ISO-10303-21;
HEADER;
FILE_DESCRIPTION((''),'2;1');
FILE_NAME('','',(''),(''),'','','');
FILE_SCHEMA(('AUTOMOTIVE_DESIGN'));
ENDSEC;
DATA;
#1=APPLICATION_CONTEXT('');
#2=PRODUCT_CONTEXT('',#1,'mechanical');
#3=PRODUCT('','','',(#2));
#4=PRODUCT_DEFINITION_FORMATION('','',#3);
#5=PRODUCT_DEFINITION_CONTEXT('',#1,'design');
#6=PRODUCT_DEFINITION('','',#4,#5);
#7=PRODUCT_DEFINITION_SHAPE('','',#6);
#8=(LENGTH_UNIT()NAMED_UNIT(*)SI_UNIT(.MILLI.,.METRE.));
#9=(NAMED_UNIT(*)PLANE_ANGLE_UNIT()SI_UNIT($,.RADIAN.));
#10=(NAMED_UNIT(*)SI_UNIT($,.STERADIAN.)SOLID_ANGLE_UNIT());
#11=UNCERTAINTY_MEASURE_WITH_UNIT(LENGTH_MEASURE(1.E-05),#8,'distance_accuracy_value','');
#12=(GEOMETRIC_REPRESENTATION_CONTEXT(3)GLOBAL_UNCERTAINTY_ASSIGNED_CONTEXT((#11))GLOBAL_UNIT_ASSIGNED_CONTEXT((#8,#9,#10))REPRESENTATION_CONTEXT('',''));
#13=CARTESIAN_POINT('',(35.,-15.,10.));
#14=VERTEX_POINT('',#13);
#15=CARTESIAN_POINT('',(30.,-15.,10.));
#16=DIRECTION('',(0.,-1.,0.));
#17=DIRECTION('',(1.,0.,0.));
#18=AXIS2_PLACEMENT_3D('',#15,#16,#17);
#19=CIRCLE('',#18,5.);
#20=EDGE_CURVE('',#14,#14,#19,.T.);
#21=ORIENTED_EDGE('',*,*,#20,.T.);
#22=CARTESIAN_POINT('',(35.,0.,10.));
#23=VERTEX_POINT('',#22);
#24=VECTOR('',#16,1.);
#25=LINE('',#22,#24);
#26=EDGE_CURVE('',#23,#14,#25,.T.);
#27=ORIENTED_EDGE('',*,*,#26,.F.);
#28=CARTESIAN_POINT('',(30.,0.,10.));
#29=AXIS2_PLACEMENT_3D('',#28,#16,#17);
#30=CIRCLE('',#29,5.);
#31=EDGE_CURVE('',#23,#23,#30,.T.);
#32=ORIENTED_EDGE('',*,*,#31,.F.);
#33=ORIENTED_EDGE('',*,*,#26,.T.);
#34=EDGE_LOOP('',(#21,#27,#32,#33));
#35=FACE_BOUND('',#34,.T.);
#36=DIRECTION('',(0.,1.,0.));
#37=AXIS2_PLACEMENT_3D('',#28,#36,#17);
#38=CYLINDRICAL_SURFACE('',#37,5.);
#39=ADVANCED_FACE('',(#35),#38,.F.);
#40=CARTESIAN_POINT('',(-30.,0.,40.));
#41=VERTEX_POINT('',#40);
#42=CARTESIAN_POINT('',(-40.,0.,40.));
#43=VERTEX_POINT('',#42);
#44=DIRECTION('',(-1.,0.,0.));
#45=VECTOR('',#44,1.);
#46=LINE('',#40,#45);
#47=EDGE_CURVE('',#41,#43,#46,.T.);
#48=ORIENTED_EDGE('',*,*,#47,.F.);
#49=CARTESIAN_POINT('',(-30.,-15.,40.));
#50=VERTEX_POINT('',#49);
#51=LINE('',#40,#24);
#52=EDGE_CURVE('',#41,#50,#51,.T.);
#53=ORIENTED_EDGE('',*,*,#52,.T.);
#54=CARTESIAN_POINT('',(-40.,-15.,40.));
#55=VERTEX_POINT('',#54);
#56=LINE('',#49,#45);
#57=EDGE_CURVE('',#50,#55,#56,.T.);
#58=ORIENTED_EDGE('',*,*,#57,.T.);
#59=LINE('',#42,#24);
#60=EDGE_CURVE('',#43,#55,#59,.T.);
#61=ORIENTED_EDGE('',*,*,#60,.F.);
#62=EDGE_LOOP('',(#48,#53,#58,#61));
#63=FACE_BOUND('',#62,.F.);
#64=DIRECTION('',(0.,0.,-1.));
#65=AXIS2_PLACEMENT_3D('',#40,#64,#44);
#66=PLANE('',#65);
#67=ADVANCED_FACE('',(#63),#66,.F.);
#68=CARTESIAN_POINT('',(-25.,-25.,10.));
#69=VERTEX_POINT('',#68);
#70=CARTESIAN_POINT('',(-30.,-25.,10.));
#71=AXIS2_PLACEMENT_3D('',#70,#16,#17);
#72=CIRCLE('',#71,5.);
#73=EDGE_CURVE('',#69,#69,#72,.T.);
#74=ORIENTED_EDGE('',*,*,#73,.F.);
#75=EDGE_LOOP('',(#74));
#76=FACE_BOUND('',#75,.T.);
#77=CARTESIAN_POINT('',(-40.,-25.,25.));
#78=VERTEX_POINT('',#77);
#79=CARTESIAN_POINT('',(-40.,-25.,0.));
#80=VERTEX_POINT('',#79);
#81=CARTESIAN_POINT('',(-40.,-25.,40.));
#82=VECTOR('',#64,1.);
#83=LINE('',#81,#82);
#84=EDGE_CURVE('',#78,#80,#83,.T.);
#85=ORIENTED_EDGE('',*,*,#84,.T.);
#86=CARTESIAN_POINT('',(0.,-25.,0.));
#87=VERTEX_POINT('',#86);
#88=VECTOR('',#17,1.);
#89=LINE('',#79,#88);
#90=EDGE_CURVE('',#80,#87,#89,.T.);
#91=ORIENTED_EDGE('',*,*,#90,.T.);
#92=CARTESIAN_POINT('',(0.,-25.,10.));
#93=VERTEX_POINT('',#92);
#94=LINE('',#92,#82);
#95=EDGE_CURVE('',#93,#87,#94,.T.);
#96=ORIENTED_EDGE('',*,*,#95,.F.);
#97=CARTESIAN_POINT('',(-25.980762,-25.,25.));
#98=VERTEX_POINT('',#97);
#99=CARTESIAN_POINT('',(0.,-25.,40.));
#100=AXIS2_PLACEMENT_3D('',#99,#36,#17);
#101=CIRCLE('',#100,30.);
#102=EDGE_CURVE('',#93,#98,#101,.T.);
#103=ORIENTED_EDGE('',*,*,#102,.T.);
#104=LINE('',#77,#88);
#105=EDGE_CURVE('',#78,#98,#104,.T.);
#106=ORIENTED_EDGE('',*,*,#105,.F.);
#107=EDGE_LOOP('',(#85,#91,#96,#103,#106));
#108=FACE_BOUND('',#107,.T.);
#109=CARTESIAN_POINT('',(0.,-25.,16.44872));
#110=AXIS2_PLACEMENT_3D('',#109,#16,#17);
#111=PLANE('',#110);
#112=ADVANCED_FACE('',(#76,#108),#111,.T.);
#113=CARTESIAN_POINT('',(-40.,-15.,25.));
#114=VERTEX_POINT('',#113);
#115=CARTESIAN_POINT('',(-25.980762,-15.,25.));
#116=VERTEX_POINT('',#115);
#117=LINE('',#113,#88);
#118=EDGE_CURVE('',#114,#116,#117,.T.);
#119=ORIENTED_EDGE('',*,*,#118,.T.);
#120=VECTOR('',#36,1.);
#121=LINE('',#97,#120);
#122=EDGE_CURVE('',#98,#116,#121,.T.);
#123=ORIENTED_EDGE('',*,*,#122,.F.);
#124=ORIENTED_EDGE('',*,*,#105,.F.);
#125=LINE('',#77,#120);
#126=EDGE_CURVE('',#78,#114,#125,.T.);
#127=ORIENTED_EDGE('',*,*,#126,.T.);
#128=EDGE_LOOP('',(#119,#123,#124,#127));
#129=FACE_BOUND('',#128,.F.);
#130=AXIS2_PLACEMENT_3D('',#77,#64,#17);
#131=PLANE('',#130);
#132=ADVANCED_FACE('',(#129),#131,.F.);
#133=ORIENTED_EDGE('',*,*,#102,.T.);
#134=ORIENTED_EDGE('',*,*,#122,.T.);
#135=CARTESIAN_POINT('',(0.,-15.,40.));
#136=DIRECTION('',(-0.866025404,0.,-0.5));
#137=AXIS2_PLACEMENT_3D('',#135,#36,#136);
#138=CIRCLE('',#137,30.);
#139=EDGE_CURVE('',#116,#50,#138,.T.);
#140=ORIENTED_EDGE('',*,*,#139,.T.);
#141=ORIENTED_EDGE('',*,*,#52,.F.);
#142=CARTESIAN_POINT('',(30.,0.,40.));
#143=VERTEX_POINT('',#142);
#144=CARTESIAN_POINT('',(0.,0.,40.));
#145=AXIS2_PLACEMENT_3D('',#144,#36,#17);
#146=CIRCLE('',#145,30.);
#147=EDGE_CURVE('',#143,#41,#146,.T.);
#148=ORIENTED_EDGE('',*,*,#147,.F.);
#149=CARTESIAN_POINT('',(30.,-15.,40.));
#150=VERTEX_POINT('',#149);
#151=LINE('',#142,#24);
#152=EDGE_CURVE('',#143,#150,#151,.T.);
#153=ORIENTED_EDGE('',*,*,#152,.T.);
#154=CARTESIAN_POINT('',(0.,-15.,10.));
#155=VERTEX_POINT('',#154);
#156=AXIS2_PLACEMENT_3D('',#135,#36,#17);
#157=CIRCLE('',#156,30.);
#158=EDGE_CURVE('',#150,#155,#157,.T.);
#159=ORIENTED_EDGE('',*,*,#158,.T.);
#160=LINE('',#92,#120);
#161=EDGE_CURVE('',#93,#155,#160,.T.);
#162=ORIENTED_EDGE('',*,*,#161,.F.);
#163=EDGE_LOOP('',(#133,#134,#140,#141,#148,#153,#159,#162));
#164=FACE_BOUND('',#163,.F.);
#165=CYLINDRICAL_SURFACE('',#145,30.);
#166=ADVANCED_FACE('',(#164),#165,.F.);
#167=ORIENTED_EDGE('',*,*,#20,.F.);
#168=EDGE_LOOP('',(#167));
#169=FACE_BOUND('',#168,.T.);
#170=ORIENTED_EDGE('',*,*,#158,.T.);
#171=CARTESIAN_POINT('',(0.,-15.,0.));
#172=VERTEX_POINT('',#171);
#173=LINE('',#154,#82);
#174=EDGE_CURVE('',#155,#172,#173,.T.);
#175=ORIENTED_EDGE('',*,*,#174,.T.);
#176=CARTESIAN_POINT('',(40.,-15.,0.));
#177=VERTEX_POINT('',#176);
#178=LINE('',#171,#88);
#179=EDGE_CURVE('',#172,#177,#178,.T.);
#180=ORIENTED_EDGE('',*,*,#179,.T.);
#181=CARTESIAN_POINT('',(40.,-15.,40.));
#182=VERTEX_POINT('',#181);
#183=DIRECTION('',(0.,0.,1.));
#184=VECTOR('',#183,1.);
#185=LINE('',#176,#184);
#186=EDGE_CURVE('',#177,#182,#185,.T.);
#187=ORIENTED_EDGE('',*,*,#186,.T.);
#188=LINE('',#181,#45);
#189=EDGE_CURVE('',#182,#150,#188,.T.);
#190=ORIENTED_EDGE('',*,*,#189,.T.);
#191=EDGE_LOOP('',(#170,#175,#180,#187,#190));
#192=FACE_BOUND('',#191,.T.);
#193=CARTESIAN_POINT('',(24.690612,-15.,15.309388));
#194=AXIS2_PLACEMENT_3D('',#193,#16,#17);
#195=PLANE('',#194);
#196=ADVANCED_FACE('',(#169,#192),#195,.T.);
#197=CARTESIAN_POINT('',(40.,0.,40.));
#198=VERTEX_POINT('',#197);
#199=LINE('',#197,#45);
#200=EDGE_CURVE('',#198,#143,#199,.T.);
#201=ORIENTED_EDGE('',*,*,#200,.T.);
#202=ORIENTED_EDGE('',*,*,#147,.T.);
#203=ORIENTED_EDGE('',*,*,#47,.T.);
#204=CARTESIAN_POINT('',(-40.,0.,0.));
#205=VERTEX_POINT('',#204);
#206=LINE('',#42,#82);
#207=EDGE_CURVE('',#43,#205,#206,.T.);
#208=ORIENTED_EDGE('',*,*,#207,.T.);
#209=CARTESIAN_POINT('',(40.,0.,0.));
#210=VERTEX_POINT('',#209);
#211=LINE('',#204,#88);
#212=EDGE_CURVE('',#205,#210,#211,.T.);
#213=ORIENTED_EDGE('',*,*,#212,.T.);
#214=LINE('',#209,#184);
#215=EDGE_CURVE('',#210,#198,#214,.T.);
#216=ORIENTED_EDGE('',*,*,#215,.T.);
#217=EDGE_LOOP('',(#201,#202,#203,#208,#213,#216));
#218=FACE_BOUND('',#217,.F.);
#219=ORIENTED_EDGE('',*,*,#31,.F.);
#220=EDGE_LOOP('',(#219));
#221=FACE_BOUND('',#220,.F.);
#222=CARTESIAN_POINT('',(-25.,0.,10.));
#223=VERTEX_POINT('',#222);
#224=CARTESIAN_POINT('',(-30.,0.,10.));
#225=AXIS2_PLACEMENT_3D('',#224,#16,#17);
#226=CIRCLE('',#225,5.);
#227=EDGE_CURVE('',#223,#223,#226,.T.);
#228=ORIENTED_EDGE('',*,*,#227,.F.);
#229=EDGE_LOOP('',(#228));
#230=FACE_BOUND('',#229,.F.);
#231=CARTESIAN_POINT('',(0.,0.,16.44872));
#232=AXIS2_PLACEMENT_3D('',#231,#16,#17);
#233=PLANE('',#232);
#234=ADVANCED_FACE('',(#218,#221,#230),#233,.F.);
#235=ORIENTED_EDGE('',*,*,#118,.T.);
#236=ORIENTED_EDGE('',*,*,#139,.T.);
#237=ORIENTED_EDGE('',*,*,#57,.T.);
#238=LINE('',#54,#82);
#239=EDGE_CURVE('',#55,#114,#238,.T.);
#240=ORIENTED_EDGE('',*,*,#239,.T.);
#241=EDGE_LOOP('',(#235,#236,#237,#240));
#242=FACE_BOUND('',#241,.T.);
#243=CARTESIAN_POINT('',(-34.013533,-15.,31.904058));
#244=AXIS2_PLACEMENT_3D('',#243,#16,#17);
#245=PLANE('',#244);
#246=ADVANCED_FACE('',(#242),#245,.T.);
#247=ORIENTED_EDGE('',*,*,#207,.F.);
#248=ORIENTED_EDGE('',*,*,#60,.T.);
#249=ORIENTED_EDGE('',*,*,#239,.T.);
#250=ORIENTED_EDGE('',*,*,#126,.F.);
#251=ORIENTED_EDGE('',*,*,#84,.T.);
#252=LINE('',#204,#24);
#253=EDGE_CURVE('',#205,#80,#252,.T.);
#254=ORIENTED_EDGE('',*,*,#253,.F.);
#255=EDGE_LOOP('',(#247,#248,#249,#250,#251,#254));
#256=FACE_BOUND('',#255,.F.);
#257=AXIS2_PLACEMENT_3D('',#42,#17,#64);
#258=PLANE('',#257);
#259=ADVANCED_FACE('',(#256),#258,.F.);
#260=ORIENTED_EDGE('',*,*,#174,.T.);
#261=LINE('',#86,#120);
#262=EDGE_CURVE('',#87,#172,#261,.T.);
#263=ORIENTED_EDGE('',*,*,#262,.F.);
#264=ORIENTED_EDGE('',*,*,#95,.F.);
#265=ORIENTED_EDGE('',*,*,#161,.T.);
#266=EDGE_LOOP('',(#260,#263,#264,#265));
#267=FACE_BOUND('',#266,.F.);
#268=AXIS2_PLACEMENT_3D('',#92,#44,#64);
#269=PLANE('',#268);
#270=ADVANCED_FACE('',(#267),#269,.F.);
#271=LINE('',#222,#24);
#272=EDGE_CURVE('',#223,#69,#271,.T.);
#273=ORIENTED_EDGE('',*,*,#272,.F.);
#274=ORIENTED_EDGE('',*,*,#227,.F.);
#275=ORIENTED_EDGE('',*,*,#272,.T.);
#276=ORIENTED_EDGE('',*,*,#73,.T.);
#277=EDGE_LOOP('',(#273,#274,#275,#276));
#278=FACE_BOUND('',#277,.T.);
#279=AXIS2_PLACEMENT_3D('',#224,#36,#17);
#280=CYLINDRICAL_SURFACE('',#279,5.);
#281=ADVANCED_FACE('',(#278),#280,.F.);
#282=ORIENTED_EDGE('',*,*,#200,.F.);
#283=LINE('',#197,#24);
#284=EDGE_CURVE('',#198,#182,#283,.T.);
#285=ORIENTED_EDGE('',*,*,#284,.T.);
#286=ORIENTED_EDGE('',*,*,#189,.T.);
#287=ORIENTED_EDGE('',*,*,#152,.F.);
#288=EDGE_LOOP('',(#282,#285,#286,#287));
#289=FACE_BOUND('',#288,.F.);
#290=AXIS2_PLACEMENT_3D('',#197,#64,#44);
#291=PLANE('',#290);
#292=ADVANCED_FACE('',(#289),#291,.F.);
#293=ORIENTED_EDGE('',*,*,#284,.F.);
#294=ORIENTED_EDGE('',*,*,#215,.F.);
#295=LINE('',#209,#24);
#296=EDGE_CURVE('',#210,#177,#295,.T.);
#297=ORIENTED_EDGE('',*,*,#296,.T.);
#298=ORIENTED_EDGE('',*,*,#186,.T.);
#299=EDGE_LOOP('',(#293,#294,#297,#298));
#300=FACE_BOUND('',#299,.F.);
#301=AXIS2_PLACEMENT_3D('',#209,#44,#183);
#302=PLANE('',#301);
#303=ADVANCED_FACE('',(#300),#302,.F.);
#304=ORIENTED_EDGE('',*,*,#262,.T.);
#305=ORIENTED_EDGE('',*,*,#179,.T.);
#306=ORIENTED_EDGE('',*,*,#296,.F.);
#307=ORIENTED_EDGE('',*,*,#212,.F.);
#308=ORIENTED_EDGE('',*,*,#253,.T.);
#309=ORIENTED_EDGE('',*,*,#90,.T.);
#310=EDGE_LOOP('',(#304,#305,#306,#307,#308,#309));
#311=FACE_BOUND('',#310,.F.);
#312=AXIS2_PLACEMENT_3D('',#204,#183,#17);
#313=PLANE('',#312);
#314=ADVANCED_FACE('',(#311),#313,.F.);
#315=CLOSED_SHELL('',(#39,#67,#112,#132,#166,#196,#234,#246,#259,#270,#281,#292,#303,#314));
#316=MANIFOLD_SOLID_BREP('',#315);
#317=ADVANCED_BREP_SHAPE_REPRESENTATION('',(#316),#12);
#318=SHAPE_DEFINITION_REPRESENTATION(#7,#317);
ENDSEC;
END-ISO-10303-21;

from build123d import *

# Parameters (mm, degrees)
F0_R     = 5
F1_DEPTH = 25
F2_R     = 5
F3_DEPTH = 10


with BuildPart() as f1:
    # F0 (on Front) → F1 (new body)
    with BuildSketch(Plane.XZ):
        with BuildLine():
            Line((-30, 40), (-40, 40))
            Line((-40, 40), (-40, 0))
            Line((-40, 0), (40, 0))
            Line((40, 0), (40, 40))
            Line((40, 40), (30, 40))
            ThreePointArc((30, 40), (0, 10), (-30, 40))
        make_face()
        with Locations((-30, 10)):
            Circle(F0_R, mode=Mode.SUBTRACT)
        with Locations((30, 10)):
            Circle(F0_R, mode=Mode.SUBTRACT)
    extrude(amount=F1_DEPTH)

    # F2 (on face) → F3 (cut)
    with BuildSketch(Plane.XZ.offset(25)):
        with BuildLine():
            Line((-40, 40), (-40, 25))
            Line((-40, 25), (-25.9807621135, 25))
            ThreePointArc((-25.9807621135, 25), (-28.9777747887, 32.2354286469), (-30, 40))
            Line((-30, 40), (-40, 40))
        make_face()
        with BuildLine():
            ThreePointArc((30, 40), (21.2132034356, 18.7867965644), (0, 10))
            Line((0, 10), (0, 0))
            Line((0, 0), (40, 0))
            Line((40, 0), (40, 40))
            Line((40, 40), (30, 40))
        make_face()
        with Locations((30, 10)):
            Circle(F2_R, mode=Mode.SUBTRACT)
    extrude(amount=-F3_DEPTH, mode=Mode.SUBTRACT)


solid = f1.part
